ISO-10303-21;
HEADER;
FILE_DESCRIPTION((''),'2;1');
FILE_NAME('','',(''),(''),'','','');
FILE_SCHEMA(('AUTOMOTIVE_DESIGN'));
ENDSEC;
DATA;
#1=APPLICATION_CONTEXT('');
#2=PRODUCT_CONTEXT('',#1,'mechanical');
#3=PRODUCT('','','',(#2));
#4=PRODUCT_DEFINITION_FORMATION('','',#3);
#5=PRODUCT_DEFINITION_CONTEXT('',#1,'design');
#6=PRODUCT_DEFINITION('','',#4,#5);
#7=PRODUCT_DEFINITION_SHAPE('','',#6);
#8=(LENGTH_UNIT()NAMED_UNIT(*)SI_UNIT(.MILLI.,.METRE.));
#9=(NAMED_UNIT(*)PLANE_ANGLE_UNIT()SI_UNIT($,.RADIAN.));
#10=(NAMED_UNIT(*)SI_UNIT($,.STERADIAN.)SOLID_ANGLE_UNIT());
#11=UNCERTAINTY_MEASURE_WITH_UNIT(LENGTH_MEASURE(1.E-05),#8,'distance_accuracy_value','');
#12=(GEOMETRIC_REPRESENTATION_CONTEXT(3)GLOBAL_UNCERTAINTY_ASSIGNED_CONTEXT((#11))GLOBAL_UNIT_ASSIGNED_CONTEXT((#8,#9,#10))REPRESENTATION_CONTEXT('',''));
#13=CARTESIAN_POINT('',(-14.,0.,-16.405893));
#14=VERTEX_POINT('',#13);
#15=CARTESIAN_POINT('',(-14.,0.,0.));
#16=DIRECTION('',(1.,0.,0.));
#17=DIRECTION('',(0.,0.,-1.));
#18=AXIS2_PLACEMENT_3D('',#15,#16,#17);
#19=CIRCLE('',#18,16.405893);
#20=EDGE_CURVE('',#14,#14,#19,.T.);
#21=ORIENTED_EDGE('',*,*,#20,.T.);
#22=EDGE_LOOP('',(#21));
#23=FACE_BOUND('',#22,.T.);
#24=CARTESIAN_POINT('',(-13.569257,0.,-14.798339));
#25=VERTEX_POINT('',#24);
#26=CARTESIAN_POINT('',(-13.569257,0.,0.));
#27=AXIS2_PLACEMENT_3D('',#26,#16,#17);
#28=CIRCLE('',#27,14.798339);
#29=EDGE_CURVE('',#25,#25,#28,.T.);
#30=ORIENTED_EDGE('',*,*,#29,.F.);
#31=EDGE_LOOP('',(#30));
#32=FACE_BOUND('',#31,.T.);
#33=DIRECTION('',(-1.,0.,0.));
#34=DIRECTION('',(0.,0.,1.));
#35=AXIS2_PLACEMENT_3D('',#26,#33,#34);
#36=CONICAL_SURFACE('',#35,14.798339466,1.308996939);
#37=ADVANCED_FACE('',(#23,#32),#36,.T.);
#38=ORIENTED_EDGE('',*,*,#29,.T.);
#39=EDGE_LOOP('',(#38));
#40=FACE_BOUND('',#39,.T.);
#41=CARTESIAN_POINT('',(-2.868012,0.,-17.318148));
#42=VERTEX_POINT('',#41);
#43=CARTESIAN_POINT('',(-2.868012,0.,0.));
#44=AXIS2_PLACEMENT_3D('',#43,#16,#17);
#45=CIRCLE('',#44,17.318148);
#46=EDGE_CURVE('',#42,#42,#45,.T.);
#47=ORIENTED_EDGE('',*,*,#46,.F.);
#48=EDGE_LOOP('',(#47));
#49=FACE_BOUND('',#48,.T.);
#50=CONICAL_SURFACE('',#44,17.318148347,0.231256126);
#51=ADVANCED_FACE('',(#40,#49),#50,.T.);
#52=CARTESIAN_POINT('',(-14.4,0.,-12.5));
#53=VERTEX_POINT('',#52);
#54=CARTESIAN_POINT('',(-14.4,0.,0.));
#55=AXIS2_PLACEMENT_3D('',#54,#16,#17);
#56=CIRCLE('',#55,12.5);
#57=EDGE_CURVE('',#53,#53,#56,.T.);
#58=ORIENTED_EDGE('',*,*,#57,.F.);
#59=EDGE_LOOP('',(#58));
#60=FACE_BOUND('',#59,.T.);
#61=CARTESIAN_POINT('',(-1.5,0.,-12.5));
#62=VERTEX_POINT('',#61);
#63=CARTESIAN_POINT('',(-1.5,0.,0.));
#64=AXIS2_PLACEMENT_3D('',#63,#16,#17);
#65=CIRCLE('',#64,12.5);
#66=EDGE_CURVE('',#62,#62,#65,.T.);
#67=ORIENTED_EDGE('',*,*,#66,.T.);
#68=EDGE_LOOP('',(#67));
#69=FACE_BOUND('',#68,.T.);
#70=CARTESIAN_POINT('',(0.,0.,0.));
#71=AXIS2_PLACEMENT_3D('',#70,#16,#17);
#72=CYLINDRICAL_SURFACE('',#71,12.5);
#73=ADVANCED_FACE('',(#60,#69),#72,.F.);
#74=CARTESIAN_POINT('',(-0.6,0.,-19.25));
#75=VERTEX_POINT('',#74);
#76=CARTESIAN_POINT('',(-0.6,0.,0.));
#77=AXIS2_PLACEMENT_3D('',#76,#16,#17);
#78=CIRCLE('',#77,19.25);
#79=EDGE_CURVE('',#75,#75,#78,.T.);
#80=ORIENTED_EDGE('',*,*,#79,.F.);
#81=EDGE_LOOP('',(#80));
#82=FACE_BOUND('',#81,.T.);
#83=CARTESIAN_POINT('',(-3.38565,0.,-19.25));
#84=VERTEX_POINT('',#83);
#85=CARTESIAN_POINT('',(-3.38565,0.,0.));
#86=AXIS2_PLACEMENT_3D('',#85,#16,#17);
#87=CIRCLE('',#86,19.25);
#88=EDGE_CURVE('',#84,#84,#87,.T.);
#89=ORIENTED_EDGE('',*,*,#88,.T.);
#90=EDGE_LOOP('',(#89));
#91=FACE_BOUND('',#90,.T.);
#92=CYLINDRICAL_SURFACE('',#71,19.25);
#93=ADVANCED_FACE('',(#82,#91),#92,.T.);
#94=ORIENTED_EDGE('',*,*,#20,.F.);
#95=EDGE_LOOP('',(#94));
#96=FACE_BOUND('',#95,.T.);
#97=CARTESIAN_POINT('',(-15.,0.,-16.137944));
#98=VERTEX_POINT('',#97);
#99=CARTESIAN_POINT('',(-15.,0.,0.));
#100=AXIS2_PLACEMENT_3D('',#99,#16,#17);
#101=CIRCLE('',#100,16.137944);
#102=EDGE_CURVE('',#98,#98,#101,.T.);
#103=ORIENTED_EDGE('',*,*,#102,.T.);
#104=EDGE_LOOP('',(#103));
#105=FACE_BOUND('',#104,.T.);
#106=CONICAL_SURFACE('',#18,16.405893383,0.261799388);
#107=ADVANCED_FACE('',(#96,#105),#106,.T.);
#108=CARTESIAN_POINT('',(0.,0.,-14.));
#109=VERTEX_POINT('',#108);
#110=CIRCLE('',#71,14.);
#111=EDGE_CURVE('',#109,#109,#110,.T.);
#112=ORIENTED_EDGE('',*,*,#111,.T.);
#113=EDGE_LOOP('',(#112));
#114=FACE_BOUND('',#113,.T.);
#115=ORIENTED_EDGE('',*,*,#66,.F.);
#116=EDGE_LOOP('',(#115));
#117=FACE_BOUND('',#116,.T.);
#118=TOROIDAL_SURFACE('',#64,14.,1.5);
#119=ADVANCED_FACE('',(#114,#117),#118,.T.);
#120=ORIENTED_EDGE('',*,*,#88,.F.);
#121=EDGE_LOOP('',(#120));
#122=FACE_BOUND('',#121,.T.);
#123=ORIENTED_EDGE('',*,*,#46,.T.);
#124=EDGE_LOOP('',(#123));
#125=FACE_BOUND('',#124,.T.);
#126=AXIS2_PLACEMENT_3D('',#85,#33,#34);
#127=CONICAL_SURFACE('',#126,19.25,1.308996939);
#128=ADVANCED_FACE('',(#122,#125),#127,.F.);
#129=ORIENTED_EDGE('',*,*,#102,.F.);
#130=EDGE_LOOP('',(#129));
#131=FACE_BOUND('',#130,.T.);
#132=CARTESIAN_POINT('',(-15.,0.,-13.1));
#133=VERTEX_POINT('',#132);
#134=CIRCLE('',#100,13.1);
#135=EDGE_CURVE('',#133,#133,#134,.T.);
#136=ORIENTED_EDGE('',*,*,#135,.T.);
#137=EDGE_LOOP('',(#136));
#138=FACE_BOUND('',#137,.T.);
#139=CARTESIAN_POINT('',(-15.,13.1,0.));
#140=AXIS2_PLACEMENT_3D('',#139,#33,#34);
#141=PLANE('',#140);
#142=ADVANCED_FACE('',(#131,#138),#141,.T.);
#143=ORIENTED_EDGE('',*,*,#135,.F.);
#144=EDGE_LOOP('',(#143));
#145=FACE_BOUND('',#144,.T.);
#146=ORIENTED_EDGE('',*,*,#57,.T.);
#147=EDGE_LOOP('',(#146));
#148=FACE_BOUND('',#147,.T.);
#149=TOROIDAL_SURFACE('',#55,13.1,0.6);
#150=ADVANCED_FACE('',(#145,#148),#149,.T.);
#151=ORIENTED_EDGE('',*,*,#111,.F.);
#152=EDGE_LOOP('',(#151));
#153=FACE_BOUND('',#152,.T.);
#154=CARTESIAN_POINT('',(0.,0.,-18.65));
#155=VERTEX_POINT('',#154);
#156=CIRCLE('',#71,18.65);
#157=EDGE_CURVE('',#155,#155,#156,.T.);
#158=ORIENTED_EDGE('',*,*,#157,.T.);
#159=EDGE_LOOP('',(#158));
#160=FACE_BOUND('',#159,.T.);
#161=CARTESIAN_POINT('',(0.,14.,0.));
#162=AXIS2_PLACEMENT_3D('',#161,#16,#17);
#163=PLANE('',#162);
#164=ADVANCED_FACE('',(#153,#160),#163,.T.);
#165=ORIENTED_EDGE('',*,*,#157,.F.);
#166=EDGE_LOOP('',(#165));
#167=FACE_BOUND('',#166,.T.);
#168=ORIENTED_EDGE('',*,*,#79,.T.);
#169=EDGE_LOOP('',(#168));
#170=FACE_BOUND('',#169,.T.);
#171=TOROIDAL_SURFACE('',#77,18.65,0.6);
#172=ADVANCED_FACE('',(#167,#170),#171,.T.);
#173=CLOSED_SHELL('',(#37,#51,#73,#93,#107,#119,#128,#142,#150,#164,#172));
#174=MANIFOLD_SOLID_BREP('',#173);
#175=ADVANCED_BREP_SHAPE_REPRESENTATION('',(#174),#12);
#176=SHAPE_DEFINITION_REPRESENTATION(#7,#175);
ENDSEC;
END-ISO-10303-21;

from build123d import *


with BuildPart() as part:
    # Esquisse1 → Base-Révolution (revolve)
    with BuildSketch(Plane.XY, mode=Mode.PRIVATE) as base_r_volution_sk:
        with BuildLine():
            Line((0, 14), (0, 18.65))
            ThreePointArc((0, 18.65), (-0.175735931, 19.074264069), (-0.6, 19.25))
            Line((-0.6, 19.25), (-3.385649604, 19.25))
            Line((-3.385649604, 19.25), (-2.868011513, 17.318148347))
            Line((-2.868011513, 17.318148347), (-13.569257226, 14.798339466))
            Line((-13.569257226, 14.798339466), (-14, 16.405893383))
            Line((-14, 16.405893383), (-15, 16.137944191))
            Line((-15, 16.137944191), (-15, 13.1))
            ThreePointArc((-15, 13.1), (-14.824264069, 12.675735931), (-14.4, 12.5))
            Line((-14.4, 12.5), (-1.5, 12.5))
            ThreePointArc((-1.5, 12.5), (-0.439339828, 12.939339828), (0, 14))
        make_face()
    revolve(base_r_volution_sk.sketch.rotate(Axis((0, 0, 0), (-1, 0, 0)), 90), axis=Axis((0, 0, 0), (-1, 0, 0)))


solid = part.part
